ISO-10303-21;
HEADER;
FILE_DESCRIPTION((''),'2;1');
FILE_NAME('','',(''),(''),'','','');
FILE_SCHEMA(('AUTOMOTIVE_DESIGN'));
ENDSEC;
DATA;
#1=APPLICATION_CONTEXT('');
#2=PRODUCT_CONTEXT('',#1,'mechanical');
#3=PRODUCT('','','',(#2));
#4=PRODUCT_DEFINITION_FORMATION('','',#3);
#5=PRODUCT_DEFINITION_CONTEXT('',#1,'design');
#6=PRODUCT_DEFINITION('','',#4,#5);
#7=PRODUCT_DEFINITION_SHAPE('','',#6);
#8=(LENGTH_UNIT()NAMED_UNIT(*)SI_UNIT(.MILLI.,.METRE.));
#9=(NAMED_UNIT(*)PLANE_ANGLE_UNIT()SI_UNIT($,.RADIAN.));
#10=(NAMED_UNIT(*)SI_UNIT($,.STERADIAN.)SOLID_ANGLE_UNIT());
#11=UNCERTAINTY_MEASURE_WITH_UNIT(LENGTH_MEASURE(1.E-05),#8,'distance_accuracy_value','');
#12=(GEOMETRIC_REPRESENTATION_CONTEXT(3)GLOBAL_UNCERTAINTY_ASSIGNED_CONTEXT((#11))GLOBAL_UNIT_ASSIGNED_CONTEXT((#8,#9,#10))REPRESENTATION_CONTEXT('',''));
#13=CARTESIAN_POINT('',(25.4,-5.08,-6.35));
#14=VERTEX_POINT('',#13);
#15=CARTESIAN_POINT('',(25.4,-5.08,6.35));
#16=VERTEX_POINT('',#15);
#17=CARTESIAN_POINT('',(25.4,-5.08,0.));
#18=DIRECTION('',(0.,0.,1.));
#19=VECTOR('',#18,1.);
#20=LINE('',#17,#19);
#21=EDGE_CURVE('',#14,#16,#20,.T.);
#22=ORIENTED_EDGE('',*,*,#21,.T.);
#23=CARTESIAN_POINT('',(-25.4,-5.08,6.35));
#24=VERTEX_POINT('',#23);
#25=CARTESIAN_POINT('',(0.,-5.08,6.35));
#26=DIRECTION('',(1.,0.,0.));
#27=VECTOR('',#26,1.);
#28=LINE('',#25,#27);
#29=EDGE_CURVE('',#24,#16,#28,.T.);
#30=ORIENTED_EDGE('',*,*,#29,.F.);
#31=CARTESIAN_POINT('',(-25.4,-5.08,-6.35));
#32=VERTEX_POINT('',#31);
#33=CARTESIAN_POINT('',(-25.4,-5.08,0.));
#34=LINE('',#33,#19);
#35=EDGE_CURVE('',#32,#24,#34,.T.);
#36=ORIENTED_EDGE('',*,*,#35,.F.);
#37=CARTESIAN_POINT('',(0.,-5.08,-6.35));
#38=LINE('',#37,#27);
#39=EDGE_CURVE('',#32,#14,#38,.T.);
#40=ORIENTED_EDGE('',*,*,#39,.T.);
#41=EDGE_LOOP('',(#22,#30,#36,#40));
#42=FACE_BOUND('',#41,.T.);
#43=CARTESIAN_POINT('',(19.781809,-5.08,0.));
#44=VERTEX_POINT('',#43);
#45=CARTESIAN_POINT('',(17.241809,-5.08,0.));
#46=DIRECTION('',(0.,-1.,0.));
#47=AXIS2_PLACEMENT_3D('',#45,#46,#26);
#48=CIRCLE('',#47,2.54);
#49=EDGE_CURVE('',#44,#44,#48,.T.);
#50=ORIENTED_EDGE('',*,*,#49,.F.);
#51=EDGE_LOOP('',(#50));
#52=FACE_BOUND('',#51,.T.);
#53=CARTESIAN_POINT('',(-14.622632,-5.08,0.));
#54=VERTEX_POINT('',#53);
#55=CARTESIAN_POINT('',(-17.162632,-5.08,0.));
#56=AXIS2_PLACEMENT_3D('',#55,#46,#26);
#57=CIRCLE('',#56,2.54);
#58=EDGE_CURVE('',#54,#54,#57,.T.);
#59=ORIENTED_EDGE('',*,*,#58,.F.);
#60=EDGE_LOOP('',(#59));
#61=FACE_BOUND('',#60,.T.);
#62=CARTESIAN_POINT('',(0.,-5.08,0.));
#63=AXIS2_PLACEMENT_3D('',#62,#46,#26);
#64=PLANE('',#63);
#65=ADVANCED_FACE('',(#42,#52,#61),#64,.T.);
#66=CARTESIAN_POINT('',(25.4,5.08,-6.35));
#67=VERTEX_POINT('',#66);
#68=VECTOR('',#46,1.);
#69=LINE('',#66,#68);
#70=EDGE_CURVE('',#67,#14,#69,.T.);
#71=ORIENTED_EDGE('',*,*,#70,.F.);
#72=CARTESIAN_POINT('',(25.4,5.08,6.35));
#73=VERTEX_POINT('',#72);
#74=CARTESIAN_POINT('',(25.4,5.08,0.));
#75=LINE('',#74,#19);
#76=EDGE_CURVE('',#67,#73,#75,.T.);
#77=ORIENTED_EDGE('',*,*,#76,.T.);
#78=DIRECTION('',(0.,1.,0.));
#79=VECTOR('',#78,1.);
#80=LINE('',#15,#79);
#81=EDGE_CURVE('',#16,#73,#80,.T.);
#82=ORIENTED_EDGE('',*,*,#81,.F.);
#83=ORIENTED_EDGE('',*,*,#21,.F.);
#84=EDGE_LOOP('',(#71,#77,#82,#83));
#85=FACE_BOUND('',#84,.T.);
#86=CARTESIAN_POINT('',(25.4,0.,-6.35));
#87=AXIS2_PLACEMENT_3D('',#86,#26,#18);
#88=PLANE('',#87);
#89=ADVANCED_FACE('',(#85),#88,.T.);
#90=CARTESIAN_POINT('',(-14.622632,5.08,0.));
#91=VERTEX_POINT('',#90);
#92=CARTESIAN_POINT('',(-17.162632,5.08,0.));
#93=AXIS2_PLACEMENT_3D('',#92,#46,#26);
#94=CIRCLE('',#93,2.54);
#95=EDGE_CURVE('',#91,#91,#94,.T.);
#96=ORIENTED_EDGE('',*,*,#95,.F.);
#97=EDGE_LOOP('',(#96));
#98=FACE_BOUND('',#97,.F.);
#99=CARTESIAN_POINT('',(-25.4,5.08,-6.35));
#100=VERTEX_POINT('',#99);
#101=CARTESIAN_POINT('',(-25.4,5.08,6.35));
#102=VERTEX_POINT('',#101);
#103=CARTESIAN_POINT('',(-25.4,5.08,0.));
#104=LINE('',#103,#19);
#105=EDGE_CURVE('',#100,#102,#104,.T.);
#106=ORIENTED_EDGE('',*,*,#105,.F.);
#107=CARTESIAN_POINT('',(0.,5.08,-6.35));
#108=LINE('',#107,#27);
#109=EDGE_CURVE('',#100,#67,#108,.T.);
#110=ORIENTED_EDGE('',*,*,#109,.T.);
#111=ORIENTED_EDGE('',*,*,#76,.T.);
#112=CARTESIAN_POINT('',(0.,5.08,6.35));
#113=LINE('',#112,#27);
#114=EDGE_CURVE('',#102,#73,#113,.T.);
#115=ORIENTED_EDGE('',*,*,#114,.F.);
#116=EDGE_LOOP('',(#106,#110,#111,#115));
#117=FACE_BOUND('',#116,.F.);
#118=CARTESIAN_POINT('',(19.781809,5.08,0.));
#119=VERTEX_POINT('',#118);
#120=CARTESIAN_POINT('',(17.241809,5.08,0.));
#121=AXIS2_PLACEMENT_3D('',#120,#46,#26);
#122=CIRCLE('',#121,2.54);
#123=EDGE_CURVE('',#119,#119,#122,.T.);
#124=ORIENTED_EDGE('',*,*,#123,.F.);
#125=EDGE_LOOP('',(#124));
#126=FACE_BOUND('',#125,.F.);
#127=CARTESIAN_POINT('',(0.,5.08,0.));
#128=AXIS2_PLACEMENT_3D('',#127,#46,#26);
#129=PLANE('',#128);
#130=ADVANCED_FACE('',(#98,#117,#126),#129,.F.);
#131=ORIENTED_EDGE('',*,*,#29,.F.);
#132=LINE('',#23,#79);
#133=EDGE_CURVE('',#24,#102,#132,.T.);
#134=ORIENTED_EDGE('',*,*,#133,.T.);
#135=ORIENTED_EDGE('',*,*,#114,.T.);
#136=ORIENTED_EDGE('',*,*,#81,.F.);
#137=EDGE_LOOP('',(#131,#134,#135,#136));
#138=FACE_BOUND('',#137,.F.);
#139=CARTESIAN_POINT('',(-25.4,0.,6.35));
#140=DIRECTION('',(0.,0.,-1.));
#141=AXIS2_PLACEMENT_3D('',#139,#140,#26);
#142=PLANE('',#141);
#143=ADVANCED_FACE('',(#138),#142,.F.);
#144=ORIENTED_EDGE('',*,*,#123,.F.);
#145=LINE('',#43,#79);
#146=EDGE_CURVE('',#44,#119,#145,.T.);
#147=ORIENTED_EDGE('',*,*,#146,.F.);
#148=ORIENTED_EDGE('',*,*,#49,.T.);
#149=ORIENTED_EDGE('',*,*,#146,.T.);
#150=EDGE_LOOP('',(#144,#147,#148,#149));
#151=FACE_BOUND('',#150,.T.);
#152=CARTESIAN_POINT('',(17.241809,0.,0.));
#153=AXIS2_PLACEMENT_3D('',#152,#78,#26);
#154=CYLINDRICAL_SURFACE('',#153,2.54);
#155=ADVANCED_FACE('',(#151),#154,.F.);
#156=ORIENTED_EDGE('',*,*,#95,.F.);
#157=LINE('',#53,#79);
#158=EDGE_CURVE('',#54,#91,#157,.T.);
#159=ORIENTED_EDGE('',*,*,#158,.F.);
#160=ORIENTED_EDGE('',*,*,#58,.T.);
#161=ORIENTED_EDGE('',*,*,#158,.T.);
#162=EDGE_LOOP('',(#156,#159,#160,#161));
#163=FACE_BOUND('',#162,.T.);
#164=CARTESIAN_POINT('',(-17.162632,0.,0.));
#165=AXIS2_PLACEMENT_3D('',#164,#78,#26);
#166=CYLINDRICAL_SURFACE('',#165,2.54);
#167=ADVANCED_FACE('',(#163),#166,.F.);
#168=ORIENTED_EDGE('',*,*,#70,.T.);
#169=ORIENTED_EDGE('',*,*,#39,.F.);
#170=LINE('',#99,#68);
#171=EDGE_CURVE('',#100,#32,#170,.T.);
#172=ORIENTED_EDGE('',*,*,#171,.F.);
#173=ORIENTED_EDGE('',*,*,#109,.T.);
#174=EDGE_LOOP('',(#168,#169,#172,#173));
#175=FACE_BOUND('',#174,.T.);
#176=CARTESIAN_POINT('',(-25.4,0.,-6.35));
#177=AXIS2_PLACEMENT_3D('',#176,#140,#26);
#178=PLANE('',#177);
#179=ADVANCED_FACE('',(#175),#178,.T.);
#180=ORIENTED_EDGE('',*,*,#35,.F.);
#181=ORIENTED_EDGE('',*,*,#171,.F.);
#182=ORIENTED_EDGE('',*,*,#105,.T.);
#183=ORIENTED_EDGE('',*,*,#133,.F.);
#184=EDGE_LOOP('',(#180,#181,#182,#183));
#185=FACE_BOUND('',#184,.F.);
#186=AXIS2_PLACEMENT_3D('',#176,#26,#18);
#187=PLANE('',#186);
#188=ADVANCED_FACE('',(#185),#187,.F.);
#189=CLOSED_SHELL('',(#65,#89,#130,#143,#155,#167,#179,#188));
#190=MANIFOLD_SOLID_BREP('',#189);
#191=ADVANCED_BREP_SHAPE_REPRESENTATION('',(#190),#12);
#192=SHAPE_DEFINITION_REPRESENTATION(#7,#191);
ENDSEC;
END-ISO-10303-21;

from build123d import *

# Parameters (mm, degrees)
F0_W     = 50.8
F0_H     = 12.7
F0_R     = 2.54
F1_DEPTH = 5.08


with BuildPart() as f1:
    # F0 (on Front) → F1 (new body, symmetric)
    with BuildSketch(Plane.XZ):
        Rectangle(F0_W, F0_H)
        with Locations((-17.162632, 0)):
            Circle(F0_R, mode=Mode.SUBTRACT)
        with Locations((17.241809, 0)):
            Circle(F0_R, mode=Mode.SUBTRACT)
    extrude(amount=F1_DEPTH, both=True)


solid = f1.part
